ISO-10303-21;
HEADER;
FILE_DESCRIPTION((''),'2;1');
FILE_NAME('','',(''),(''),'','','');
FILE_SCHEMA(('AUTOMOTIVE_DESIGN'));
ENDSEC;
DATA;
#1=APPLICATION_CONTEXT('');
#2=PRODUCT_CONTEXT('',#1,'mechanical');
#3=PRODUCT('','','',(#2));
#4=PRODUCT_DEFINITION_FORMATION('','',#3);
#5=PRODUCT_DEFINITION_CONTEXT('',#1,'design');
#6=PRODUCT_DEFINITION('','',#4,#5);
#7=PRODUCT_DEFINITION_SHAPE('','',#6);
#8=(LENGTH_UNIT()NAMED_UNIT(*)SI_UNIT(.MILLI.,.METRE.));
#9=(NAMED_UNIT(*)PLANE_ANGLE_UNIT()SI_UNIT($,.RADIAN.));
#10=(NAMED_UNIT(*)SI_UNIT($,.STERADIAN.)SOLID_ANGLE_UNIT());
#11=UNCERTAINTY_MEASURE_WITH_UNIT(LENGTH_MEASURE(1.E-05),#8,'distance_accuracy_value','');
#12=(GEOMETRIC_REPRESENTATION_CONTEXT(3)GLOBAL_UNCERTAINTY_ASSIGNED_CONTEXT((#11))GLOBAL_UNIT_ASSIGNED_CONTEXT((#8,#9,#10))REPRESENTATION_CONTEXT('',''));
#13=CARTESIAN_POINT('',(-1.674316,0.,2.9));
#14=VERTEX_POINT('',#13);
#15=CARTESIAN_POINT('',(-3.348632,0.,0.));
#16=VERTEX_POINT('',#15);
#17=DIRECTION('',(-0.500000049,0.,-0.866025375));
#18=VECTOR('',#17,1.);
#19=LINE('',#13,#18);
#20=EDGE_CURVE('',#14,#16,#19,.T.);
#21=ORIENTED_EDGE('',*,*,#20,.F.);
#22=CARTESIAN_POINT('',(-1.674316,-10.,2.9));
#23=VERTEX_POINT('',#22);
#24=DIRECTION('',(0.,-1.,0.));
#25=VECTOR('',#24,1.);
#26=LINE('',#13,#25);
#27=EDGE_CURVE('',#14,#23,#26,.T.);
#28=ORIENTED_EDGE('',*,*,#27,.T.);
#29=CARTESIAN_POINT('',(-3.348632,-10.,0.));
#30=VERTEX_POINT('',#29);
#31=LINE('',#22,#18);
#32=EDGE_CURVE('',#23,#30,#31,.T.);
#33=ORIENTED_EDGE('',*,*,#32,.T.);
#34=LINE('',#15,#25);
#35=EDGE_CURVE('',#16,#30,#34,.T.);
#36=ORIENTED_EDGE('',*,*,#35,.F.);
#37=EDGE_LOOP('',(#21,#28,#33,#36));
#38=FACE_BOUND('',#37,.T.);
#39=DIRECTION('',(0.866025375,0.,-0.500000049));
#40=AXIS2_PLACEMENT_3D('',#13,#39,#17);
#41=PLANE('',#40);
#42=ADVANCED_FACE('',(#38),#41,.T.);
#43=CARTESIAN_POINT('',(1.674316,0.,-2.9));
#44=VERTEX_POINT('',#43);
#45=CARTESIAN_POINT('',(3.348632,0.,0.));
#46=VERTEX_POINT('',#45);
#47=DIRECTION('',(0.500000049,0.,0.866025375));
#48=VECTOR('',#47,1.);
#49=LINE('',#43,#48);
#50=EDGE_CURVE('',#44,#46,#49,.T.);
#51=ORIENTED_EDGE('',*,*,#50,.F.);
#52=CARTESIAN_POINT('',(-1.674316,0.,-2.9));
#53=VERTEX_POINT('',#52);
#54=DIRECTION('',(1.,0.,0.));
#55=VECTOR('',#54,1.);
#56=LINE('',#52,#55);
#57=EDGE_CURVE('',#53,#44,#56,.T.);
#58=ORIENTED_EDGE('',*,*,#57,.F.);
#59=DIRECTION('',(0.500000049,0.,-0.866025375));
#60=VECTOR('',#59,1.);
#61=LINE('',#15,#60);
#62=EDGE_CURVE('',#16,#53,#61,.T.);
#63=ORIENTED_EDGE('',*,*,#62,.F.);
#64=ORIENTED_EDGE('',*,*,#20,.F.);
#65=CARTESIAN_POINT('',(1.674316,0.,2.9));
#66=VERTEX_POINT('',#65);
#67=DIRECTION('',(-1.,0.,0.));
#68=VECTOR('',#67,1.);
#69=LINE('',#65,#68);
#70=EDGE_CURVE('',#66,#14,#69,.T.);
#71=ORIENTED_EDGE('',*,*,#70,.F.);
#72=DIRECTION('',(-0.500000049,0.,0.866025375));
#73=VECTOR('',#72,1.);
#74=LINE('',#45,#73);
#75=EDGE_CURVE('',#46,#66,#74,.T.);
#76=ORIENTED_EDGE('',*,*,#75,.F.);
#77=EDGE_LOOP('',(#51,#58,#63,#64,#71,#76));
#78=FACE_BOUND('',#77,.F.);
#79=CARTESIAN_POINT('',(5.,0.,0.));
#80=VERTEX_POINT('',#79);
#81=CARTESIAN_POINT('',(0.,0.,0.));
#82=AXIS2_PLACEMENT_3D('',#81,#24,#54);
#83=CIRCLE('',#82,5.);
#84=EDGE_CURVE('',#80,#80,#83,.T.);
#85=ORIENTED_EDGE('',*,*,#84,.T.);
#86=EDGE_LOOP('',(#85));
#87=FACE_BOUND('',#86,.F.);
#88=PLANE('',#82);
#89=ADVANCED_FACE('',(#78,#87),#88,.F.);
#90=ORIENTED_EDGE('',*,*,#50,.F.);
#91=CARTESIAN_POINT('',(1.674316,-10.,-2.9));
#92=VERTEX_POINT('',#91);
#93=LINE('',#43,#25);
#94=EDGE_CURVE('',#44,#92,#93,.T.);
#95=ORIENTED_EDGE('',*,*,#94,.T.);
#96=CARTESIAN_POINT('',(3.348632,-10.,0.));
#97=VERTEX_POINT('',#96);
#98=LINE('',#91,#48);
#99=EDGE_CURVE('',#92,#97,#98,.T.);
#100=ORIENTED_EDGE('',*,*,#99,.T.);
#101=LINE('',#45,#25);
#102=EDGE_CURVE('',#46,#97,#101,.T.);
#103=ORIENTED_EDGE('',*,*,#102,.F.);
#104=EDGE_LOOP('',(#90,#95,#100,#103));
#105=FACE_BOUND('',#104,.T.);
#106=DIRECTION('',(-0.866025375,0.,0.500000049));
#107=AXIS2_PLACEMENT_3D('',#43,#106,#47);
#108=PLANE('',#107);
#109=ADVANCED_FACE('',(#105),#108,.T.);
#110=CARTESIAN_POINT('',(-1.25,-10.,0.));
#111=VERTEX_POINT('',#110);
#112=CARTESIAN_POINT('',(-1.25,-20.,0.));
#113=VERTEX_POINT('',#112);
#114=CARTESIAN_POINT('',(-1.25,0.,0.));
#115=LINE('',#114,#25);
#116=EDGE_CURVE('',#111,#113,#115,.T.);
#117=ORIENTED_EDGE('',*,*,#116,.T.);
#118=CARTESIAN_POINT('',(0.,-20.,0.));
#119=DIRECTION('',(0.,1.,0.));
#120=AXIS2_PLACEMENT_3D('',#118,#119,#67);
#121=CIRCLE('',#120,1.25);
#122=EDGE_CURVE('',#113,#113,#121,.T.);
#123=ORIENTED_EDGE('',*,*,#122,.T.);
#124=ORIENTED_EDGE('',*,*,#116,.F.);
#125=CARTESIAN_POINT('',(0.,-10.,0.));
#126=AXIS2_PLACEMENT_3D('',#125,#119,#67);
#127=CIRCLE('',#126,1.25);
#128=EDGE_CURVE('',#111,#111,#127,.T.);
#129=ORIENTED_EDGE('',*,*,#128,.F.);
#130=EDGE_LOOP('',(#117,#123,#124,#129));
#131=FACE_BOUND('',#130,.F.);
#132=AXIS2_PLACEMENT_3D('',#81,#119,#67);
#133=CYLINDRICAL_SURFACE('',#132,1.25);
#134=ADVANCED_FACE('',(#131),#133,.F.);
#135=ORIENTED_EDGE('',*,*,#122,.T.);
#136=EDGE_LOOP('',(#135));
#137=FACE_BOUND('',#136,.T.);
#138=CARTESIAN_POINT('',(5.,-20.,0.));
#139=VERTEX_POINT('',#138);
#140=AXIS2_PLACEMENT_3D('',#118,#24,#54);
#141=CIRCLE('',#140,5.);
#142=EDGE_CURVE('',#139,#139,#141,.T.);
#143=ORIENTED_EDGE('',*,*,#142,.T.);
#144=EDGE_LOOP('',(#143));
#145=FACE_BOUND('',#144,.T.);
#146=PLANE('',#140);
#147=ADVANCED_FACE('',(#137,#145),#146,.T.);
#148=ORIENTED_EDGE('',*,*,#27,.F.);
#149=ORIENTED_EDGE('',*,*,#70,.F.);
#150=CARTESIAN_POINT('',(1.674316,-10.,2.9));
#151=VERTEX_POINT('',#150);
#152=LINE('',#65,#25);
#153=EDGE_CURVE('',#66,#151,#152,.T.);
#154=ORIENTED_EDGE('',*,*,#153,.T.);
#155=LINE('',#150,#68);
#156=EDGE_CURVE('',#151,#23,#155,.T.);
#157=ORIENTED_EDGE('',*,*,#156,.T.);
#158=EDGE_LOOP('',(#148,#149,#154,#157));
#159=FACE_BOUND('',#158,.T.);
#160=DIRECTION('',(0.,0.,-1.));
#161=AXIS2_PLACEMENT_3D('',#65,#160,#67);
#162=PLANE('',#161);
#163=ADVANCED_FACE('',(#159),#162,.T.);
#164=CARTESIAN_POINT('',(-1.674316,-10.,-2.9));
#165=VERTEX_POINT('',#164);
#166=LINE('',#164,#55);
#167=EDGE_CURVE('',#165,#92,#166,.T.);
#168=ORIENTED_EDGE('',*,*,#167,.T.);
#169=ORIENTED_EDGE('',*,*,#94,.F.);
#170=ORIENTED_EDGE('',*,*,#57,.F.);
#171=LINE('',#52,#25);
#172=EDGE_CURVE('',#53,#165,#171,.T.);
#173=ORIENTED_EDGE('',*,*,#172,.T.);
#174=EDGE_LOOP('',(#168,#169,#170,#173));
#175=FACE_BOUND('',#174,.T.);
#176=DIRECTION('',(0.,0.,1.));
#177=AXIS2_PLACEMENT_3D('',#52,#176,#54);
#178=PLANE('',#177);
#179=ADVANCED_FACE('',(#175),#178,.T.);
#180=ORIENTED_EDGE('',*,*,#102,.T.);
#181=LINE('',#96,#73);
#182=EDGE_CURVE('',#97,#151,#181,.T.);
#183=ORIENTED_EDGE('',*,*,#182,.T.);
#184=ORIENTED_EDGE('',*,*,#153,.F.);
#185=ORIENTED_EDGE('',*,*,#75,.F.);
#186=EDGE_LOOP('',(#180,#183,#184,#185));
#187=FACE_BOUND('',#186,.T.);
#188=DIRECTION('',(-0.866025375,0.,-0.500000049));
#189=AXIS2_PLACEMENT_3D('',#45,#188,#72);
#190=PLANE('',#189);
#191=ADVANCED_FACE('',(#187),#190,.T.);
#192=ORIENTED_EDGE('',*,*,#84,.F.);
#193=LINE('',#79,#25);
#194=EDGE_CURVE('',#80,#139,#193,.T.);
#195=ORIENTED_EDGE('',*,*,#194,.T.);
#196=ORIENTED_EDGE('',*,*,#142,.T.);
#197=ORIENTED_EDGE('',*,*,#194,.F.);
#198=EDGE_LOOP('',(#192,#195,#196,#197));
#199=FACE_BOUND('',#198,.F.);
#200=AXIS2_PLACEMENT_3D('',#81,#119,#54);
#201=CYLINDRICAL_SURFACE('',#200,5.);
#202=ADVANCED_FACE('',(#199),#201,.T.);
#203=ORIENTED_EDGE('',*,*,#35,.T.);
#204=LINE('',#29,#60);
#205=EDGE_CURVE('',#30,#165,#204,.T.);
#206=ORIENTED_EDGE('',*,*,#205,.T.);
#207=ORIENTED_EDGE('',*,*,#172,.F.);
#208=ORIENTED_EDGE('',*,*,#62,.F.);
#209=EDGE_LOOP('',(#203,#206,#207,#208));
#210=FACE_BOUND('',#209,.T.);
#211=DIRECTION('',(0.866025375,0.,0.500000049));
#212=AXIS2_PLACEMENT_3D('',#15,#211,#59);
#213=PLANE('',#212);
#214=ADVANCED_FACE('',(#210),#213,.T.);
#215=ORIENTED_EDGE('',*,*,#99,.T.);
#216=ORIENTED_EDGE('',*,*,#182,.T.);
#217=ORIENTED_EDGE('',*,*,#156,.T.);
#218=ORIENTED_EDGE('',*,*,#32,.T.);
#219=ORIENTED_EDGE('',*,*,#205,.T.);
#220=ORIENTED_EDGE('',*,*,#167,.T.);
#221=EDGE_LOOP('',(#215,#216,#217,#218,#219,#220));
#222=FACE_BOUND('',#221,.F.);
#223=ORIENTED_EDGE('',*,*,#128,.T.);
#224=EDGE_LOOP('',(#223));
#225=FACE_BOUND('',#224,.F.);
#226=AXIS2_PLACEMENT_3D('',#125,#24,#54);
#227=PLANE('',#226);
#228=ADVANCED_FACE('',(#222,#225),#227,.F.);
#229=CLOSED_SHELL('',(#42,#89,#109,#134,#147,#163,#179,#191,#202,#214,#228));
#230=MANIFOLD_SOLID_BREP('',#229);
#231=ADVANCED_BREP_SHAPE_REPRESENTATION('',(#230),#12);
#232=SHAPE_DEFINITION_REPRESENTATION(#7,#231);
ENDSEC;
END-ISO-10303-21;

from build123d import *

# Parameters (mm, degrees)
F0_R     = 5
F1_DEPTH = 20
F2_R     = 1.25
F3_DEPTH = 20.001
F5_DEPTH = 10


with BuildPart() as f1:
    # F0 (on Front) → F1 (new body)
    with BuildSketch(Plane.XZ):
        Circle(F0_R)
    extrude(amount=F1_DEPTH)

    # F2 (on face) → F3 (cut, through all)
    with BuildSketch(Plane(origin=(0, 0, 0), x_dir=(-1, 0, 0), z_dir=(0, 1, 0))):
        Circle(F2_R)
    extrude(amount=-F3_DEPTH, mode=Mode.SUBTRACT)

    # F4 (on Front) → F5 (cut)
    with BuildSketch(Plane.XZ):
        Polygon((1.674316, 2.9), (-1.674316, 2.9), (-3.348632, 0), (-1.674316, -2.9), (1.674316, -2.9), (3.348632, 0), align=None)
    extrude(amount=F5_DEPTH, mode=Mode.SUBTRACT)


solid = f1.part
